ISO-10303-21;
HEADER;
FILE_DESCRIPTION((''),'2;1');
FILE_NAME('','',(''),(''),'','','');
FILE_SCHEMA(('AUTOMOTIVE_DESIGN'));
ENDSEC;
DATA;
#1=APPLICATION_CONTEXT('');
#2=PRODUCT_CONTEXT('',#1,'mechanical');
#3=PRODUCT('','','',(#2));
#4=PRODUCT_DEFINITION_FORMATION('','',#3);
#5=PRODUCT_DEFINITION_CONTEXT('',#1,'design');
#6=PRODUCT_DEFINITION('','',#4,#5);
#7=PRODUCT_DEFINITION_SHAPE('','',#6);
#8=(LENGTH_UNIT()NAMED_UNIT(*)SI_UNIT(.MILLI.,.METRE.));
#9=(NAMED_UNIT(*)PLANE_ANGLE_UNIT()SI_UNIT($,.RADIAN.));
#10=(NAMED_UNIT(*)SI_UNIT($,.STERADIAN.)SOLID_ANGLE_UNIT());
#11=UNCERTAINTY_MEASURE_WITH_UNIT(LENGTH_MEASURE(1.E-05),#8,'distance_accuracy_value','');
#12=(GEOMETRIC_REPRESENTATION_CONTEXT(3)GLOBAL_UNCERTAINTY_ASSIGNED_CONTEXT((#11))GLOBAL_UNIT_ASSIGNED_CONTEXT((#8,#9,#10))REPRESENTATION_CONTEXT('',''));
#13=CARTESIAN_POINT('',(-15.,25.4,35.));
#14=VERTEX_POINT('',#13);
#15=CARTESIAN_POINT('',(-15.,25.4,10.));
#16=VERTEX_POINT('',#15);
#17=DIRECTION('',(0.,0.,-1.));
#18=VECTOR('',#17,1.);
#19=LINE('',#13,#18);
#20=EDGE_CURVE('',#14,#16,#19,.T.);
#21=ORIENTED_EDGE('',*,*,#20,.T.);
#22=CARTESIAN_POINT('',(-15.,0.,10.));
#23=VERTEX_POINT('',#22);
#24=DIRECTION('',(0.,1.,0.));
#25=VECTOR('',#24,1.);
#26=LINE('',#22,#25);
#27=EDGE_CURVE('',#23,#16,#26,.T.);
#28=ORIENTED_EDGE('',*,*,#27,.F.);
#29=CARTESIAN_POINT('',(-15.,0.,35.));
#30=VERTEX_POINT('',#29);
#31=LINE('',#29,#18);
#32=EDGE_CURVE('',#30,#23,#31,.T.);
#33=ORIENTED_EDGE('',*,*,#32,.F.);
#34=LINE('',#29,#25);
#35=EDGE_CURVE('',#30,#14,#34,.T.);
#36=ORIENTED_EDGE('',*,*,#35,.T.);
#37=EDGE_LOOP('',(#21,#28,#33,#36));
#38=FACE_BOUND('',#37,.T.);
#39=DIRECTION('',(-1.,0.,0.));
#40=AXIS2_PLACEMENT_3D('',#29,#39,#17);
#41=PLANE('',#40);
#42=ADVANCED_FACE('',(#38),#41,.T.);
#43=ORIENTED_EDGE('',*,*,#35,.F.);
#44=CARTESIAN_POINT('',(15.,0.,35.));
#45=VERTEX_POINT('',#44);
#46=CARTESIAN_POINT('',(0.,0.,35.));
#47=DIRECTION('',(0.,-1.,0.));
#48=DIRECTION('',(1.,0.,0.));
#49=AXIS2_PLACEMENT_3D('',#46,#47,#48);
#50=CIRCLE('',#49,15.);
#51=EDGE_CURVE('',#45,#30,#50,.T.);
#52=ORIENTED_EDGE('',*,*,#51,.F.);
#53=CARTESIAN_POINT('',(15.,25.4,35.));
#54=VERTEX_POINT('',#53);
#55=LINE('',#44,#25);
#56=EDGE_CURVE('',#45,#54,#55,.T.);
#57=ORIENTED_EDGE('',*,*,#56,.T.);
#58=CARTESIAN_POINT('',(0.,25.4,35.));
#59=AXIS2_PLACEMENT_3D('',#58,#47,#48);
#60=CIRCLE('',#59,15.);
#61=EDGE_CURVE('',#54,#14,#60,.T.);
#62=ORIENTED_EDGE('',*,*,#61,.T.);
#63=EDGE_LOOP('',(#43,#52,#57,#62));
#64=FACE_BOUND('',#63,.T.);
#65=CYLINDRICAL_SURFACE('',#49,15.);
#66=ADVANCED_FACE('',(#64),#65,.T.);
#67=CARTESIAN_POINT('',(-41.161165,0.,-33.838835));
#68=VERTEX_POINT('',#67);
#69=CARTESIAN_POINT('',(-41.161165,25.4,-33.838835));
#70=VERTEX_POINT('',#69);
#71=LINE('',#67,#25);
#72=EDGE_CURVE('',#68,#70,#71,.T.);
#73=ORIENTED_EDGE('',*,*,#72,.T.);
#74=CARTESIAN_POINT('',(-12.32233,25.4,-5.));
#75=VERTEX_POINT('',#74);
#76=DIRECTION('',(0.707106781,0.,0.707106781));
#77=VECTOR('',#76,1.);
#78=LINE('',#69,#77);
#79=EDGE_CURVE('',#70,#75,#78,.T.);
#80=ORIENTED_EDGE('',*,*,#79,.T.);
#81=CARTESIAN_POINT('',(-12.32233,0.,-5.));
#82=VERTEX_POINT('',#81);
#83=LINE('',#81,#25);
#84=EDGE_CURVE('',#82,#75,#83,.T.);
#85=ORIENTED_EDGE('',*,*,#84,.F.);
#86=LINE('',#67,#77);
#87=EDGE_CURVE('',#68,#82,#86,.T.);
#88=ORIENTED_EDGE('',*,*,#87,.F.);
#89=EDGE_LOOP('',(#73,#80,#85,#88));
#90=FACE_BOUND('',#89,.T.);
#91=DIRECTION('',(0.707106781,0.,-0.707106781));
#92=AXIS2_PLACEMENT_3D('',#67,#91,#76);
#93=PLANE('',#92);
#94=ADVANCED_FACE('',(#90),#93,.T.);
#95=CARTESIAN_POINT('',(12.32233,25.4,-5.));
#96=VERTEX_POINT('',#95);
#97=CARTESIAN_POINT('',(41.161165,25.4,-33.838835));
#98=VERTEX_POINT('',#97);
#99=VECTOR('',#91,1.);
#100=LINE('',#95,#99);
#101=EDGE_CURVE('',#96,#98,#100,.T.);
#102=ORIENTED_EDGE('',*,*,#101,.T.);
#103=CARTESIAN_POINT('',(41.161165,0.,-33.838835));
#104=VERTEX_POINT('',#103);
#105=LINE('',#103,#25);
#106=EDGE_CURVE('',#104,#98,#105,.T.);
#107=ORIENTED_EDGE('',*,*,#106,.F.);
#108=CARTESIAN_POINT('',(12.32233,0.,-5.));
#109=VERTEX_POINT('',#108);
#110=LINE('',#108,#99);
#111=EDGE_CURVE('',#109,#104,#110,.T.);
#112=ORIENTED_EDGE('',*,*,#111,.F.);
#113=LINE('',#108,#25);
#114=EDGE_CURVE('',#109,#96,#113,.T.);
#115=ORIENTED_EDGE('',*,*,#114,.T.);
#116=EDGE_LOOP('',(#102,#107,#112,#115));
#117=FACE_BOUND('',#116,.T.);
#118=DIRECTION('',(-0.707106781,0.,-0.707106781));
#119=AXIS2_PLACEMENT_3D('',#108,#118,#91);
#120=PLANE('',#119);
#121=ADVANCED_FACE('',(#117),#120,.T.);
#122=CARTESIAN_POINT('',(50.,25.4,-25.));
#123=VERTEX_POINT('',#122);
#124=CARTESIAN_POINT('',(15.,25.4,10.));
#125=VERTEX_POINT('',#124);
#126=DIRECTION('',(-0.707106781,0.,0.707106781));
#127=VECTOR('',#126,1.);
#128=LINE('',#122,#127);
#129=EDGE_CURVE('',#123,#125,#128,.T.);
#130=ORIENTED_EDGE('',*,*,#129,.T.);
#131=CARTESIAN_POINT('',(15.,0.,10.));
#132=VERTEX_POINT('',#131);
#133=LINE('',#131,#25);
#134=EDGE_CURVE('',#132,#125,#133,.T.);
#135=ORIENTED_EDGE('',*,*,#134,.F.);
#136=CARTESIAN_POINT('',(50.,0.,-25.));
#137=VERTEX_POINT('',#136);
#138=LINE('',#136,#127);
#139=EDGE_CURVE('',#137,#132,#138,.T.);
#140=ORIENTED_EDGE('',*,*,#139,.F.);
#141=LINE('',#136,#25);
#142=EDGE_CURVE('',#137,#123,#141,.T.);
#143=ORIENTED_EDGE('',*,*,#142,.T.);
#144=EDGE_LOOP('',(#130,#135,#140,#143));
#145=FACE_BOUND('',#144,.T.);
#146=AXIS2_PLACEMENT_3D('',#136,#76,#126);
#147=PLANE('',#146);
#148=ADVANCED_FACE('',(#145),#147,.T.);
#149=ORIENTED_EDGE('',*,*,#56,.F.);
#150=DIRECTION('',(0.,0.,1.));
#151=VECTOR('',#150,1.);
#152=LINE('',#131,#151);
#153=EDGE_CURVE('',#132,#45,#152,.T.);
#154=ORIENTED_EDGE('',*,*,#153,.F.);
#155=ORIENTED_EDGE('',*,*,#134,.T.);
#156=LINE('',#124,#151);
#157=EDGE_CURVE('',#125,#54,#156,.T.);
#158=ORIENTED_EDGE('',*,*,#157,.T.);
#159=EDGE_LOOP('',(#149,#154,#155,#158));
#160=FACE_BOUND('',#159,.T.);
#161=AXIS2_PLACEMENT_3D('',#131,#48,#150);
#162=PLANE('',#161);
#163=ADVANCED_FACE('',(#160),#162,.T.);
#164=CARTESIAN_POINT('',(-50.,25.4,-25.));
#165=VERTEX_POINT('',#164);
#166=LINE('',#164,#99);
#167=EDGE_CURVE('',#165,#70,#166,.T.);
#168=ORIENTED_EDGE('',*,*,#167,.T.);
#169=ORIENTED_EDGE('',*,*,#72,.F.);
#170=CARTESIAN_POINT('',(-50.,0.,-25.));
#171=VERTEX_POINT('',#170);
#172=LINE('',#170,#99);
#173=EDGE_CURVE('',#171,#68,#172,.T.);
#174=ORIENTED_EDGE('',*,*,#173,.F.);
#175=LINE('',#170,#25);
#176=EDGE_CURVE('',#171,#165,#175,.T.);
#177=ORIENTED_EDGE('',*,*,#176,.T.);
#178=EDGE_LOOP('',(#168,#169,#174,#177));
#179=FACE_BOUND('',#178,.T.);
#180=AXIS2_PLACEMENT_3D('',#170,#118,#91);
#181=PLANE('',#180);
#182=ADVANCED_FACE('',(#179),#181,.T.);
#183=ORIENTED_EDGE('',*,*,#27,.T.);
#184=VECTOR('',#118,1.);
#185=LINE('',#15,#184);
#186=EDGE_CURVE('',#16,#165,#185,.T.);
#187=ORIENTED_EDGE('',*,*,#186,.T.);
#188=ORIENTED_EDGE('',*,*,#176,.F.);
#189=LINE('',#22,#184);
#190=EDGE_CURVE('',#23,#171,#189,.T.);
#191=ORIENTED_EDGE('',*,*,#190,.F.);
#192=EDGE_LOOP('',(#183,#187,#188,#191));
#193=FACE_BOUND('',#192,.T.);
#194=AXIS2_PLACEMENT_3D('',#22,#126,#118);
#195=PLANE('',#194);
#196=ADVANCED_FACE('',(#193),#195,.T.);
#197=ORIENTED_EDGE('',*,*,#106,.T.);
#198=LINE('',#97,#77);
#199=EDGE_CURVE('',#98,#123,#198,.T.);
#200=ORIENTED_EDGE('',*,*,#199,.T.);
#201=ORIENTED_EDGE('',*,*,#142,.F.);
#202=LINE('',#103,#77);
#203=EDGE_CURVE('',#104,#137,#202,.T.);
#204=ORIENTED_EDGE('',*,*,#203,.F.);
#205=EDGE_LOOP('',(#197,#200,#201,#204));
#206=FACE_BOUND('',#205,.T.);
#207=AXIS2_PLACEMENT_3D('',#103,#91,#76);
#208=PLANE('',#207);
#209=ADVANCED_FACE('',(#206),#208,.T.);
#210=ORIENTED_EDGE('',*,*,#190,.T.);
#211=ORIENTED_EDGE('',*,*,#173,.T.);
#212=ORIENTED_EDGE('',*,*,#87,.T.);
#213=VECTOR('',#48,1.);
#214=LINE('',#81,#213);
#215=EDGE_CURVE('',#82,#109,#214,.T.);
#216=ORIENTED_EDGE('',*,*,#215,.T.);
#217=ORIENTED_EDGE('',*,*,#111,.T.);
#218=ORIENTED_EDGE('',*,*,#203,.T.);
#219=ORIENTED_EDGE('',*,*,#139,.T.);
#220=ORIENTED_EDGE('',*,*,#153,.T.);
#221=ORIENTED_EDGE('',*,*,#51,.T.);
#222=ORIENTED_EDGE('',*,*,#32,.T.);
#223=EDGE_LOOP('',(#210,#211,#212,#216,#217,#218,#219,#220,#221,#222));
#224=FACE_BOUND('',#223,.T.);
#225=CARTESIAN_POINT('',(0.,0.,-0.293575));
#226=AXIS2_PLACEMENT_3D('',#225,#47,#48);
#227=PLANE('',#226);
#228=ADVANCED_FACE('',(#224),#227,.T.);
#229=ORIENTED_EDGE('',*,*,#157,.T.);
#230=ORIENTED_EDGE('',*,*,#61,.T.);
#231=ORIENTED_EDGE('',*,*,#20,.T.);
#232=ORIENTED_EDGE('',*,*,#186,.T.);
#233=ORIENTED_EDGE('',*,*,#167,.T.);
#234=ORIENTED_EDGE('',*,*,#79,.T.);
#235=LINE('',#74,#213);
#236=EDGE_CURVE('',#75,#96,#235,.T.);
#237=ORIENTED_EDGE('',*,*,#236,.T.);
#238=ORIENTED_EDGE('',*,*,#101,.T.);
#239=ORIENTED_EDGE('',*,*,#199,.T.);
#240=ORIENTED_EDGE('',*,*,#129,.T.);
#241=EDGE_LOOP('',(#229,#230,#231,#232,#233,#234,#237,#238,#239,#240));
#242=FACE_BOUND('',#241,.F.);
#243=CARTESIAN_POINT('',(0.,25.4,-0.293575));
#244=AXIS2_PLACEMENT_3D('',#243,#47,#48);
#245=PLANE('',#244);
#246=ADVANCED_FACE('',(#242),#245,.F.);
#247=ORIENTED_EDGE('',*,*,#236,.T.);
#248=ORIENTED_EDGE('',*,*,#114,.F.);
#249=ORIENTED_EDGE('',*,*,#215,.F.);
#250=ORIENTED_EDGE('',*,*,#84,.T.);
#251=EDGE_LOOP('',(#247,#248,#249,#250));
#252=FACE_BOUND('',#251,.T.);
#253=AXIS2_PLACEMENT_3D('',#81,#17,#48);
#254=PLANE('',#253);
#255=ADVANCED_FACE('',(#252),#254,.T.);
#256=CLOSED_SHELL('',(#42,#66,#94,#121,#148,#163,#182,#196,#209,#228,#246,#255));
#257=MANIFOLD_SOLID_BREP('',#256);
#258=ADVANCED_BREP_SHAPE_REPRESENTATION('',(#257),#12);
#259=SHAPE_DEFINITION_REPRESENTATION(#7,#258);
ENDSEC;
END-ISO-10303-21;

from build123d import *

# Parameters (mm, degrees)
F0_R     = 12.5
F1_DEPTH = 25.4


with BuildPart() as f1:
    # F0 (on Front) → F1 (new body)
    with BuildSketch(Plane.XZ):
        with BuildLine():
            Line((15, 10), (15, 35))
            ThreePointArc((15, 35), (0, 50), (-15, 35))
            Line((-15, 35), (-15, 10))
            Line((-15, 10), (-50, -25))
            Line((-50, -25), (-41.1611652352, -33.8388347648))
            Line((-41.1611652352, -33.8388347648), (-12.3223304703, -5))
            Line((-12.3223304703, -5), (0, -5))
            Line((0, -5), (12.3223304703, -5))
            Line((12.3223304703, -5), (41.1611652352, -33.8388347648))
            Line((41.1611652352, -33.8388347648), (50, -25))
            Line((50, -25), (15, 10))
        make_face()
        with Locations((0, 35)):
            Circle(F0_R, mode=Mode.SUBTRACT)
        with Locations((0, 35)):
            Circle(F0_R)
    extrude(amount=-F1_DEPTH)


solid = f1.part
